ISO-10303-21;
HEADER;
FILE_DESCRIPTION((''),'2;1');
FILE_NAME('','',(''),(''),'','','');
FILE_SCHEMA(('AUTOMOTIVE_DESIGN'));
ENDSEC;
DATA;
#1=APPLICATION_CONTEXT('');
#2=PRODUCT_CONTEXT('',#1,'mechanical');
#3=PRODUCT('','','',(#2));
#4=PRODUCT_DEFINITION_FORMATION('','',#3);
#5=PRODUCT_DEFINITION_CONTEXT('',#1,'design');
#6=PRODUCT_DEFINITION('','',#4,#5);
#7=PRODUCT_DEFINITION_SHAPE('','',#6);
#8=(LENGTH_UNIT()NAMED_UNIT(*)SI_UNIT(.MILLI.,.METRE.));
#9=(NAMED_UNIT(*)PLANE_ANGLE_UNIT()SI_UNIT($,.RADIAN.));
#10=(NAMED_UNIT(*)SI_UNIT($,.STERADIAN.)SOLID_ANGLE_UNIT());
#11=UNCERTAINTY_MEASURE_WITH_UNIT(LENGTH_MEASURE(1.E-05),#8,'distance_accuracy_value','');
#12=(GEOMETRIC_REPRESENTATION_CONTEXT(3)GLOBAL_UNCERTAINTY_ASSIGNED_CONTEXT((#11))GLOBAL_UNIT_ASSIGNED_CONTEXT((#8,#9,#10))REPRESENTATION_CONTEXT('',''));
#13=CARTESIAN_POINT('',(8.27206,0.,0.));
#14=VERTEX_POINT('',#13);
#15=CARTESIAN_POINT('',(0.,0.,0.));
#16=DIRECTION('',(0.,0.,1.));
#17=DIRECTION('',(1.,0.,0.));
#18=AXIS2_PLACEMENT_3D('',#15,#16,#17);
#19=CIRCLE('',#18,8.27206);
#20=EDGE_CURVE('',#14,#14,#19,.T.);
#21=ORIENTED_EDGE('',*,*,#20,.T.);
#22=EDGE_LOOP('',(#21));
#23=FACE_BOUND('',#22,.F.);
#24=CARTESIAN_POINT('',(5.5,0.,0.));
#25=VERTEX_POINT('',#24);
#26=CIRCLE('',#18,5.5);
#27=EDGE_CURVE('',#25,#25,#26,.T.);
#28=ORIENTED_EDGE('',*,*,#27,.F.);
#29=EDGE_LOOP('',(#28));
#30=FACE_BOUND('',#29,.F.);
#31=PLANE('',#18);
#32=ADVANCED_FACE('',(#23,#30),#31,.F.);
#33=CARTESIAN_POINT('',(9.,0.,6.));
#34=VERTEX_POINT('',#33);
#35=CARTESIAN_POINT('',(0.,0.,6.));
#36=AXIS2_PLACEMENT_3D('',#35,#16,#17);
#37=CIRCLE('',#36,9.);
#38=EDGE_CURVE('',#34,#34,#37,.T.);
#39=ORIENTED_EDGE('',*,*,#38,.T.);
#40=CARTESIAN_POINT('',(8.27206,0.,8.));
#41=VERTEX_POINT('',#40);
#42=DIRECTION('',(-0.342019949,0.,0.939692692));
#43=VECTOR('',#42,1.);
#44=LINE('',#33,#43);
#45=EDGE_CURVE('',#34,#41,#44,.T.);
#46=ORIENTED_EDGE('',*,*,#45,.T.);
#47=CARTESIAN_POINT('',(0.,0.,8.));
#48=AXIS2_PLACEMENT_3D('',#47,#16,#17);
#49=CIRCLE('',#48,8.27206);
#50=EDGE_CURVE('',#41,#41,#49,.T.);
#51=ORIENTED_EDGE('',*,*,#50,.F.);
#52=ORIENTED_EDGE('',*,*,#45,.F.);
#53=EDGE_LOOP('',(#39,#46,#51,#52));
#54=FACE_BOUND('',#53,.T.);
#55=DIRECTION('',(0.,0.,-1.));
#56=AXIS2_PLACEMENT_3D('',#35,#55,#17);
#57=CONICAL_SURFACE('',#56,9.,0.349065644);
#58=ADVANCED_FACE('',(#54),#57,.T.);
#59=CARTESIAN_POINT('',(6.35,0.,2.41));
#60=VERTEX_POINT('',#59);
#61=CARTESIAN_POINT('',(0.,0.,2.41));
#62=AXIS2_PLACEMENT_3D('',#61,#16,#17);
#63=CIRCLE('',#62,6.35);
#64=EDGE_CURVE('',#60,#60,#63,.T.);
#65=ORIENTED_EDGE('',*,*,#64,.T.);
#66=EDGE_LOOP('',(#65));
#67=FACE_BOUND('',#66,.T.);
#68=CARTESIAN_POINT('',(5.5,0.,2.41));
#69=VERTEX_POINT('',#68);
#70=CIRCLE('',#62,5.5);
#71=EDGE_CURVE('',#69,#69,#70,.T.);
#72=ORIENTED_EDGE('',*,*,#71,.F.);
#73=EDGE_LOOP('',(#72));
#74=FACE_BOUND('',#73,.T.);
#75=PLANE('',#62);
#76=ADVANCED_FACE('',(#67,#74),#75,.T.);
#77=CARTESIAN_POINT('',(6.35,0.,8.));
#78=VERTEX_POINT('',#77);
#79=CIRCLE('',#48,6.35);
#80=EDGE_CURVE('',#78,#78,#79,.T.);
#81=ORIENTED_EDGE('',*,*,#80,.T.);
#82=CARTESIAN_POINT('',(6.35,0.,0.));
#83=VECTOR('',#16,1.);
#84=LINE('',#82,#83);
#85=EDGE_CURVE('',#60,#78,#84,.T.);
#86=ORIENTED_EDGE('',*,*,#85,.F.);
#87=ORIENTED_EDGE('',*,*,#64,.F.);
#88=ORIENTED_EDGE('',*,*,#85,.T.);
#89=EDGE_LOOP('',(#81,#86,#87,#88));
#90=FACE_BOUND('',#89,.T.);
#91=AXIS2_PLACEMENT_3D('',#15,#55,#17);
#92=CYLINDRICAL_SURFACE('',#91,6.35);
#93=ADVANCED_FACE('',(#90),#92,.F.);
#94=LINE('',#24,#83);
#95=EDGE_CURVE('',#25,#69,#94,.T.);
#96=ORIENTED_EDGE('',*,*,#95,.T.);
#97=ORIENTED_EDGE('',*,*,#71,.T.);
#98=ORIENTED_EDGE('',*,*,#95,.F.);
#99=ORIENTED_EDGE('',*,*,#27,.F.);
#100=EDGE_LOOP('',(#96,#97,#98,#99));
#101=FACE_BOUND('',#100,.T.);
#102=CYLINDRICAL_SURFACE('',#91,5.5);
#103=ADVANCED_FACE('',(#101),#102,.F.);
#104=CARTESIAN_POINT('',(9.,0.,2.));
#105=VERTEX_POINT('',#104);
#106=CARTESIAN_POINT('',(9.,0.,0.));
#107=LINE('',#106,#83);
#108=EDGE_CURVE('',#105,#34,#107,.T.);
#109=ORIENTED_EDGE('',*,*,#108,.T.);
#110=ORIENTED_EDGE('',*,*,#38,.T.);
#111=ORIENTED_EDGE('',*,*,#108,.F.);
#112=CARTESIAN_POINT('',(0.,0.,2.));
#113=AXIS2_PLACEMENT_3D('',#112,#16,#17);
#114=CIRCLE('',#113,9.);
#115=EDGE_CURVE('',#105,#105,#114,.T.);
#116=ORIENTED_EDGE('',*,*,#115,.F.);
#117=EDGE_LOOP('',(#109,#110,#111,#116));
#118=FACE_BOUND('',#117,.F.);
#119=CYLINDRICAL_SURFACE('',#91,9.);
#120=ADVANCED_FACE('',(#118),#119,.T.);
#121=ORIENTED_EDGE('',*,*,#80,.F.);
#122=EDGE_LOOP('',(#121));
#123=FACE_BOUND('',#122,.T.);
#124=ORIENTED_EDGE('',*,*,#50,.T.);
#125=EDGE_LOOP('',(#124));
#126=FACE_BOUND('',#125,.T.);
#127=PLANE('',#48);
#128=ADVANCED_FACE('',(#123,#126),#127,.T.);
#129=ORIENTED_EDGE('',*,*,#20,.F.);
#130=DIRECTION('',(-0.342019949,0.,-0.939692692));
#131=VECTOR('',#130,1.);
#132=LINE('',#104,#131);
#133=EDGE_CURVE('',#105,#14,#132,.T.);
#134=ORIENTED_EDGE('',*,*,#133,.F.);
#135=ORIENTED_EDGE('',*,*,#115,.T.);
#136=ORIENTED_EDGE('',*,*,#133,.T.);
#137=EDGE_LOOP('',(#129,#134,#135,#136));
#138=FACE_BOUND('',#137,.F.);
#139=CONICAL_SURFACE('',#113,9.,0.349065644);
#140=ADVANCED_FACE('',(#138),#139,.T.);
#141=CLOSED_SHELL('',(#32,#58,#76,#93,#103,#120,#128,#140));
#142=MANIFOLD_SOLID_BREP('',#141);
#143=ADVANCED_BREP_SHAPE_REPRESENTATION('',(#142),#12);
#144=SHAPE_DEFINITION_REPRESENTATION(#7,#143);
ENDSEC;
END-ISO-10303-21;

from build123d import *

# Parameters (mm, degrees)
F0_R     = 6.35
F0_R_2   = 5.5
F1_DEPTH = 2.41
F0_R_3   = 9
F2_DEPTH = 8
F3_SIZE2 = 0.72794
F3_SIZE  = 2
F4_SIZE2 = 0.72794
F4_SIZE  = 2


with BuildPart() as f1:
    # F0 (on Top) → F1 (new body)
    with BuildSketch(Plane.XY):
        Circle(F0_R)
        Circle(F0_R_2, mode=Mode.SUBTRACT)
    extrude(amount=F1_DEPTH)

    # F0 (on Top) → F2 (join)
    with BuildSketch(Plane.XY):
        Circle(F0_R_3)
        Circle(F0_R, mode=Mode.SUBTRACT)
    extrude(amount=F2_DEPTH)

    # F3
    f3_edges = [f1.edges().sort_by_distance(p)[0] for p in [
        (-9, 0, 0),
    ]]
    chamfer(f3_edges, length=F3_SIZE, length2=F3_SIZE2)

    # F4
    f4_edges = [f1.edges().sort_by_distance(p)[0] for p in [
        (-9, 0, 8),
    ]]
    chamfer(f4_edges, length=F4_SIZE, length2=F4_SIZE2)


solid = f1.part
